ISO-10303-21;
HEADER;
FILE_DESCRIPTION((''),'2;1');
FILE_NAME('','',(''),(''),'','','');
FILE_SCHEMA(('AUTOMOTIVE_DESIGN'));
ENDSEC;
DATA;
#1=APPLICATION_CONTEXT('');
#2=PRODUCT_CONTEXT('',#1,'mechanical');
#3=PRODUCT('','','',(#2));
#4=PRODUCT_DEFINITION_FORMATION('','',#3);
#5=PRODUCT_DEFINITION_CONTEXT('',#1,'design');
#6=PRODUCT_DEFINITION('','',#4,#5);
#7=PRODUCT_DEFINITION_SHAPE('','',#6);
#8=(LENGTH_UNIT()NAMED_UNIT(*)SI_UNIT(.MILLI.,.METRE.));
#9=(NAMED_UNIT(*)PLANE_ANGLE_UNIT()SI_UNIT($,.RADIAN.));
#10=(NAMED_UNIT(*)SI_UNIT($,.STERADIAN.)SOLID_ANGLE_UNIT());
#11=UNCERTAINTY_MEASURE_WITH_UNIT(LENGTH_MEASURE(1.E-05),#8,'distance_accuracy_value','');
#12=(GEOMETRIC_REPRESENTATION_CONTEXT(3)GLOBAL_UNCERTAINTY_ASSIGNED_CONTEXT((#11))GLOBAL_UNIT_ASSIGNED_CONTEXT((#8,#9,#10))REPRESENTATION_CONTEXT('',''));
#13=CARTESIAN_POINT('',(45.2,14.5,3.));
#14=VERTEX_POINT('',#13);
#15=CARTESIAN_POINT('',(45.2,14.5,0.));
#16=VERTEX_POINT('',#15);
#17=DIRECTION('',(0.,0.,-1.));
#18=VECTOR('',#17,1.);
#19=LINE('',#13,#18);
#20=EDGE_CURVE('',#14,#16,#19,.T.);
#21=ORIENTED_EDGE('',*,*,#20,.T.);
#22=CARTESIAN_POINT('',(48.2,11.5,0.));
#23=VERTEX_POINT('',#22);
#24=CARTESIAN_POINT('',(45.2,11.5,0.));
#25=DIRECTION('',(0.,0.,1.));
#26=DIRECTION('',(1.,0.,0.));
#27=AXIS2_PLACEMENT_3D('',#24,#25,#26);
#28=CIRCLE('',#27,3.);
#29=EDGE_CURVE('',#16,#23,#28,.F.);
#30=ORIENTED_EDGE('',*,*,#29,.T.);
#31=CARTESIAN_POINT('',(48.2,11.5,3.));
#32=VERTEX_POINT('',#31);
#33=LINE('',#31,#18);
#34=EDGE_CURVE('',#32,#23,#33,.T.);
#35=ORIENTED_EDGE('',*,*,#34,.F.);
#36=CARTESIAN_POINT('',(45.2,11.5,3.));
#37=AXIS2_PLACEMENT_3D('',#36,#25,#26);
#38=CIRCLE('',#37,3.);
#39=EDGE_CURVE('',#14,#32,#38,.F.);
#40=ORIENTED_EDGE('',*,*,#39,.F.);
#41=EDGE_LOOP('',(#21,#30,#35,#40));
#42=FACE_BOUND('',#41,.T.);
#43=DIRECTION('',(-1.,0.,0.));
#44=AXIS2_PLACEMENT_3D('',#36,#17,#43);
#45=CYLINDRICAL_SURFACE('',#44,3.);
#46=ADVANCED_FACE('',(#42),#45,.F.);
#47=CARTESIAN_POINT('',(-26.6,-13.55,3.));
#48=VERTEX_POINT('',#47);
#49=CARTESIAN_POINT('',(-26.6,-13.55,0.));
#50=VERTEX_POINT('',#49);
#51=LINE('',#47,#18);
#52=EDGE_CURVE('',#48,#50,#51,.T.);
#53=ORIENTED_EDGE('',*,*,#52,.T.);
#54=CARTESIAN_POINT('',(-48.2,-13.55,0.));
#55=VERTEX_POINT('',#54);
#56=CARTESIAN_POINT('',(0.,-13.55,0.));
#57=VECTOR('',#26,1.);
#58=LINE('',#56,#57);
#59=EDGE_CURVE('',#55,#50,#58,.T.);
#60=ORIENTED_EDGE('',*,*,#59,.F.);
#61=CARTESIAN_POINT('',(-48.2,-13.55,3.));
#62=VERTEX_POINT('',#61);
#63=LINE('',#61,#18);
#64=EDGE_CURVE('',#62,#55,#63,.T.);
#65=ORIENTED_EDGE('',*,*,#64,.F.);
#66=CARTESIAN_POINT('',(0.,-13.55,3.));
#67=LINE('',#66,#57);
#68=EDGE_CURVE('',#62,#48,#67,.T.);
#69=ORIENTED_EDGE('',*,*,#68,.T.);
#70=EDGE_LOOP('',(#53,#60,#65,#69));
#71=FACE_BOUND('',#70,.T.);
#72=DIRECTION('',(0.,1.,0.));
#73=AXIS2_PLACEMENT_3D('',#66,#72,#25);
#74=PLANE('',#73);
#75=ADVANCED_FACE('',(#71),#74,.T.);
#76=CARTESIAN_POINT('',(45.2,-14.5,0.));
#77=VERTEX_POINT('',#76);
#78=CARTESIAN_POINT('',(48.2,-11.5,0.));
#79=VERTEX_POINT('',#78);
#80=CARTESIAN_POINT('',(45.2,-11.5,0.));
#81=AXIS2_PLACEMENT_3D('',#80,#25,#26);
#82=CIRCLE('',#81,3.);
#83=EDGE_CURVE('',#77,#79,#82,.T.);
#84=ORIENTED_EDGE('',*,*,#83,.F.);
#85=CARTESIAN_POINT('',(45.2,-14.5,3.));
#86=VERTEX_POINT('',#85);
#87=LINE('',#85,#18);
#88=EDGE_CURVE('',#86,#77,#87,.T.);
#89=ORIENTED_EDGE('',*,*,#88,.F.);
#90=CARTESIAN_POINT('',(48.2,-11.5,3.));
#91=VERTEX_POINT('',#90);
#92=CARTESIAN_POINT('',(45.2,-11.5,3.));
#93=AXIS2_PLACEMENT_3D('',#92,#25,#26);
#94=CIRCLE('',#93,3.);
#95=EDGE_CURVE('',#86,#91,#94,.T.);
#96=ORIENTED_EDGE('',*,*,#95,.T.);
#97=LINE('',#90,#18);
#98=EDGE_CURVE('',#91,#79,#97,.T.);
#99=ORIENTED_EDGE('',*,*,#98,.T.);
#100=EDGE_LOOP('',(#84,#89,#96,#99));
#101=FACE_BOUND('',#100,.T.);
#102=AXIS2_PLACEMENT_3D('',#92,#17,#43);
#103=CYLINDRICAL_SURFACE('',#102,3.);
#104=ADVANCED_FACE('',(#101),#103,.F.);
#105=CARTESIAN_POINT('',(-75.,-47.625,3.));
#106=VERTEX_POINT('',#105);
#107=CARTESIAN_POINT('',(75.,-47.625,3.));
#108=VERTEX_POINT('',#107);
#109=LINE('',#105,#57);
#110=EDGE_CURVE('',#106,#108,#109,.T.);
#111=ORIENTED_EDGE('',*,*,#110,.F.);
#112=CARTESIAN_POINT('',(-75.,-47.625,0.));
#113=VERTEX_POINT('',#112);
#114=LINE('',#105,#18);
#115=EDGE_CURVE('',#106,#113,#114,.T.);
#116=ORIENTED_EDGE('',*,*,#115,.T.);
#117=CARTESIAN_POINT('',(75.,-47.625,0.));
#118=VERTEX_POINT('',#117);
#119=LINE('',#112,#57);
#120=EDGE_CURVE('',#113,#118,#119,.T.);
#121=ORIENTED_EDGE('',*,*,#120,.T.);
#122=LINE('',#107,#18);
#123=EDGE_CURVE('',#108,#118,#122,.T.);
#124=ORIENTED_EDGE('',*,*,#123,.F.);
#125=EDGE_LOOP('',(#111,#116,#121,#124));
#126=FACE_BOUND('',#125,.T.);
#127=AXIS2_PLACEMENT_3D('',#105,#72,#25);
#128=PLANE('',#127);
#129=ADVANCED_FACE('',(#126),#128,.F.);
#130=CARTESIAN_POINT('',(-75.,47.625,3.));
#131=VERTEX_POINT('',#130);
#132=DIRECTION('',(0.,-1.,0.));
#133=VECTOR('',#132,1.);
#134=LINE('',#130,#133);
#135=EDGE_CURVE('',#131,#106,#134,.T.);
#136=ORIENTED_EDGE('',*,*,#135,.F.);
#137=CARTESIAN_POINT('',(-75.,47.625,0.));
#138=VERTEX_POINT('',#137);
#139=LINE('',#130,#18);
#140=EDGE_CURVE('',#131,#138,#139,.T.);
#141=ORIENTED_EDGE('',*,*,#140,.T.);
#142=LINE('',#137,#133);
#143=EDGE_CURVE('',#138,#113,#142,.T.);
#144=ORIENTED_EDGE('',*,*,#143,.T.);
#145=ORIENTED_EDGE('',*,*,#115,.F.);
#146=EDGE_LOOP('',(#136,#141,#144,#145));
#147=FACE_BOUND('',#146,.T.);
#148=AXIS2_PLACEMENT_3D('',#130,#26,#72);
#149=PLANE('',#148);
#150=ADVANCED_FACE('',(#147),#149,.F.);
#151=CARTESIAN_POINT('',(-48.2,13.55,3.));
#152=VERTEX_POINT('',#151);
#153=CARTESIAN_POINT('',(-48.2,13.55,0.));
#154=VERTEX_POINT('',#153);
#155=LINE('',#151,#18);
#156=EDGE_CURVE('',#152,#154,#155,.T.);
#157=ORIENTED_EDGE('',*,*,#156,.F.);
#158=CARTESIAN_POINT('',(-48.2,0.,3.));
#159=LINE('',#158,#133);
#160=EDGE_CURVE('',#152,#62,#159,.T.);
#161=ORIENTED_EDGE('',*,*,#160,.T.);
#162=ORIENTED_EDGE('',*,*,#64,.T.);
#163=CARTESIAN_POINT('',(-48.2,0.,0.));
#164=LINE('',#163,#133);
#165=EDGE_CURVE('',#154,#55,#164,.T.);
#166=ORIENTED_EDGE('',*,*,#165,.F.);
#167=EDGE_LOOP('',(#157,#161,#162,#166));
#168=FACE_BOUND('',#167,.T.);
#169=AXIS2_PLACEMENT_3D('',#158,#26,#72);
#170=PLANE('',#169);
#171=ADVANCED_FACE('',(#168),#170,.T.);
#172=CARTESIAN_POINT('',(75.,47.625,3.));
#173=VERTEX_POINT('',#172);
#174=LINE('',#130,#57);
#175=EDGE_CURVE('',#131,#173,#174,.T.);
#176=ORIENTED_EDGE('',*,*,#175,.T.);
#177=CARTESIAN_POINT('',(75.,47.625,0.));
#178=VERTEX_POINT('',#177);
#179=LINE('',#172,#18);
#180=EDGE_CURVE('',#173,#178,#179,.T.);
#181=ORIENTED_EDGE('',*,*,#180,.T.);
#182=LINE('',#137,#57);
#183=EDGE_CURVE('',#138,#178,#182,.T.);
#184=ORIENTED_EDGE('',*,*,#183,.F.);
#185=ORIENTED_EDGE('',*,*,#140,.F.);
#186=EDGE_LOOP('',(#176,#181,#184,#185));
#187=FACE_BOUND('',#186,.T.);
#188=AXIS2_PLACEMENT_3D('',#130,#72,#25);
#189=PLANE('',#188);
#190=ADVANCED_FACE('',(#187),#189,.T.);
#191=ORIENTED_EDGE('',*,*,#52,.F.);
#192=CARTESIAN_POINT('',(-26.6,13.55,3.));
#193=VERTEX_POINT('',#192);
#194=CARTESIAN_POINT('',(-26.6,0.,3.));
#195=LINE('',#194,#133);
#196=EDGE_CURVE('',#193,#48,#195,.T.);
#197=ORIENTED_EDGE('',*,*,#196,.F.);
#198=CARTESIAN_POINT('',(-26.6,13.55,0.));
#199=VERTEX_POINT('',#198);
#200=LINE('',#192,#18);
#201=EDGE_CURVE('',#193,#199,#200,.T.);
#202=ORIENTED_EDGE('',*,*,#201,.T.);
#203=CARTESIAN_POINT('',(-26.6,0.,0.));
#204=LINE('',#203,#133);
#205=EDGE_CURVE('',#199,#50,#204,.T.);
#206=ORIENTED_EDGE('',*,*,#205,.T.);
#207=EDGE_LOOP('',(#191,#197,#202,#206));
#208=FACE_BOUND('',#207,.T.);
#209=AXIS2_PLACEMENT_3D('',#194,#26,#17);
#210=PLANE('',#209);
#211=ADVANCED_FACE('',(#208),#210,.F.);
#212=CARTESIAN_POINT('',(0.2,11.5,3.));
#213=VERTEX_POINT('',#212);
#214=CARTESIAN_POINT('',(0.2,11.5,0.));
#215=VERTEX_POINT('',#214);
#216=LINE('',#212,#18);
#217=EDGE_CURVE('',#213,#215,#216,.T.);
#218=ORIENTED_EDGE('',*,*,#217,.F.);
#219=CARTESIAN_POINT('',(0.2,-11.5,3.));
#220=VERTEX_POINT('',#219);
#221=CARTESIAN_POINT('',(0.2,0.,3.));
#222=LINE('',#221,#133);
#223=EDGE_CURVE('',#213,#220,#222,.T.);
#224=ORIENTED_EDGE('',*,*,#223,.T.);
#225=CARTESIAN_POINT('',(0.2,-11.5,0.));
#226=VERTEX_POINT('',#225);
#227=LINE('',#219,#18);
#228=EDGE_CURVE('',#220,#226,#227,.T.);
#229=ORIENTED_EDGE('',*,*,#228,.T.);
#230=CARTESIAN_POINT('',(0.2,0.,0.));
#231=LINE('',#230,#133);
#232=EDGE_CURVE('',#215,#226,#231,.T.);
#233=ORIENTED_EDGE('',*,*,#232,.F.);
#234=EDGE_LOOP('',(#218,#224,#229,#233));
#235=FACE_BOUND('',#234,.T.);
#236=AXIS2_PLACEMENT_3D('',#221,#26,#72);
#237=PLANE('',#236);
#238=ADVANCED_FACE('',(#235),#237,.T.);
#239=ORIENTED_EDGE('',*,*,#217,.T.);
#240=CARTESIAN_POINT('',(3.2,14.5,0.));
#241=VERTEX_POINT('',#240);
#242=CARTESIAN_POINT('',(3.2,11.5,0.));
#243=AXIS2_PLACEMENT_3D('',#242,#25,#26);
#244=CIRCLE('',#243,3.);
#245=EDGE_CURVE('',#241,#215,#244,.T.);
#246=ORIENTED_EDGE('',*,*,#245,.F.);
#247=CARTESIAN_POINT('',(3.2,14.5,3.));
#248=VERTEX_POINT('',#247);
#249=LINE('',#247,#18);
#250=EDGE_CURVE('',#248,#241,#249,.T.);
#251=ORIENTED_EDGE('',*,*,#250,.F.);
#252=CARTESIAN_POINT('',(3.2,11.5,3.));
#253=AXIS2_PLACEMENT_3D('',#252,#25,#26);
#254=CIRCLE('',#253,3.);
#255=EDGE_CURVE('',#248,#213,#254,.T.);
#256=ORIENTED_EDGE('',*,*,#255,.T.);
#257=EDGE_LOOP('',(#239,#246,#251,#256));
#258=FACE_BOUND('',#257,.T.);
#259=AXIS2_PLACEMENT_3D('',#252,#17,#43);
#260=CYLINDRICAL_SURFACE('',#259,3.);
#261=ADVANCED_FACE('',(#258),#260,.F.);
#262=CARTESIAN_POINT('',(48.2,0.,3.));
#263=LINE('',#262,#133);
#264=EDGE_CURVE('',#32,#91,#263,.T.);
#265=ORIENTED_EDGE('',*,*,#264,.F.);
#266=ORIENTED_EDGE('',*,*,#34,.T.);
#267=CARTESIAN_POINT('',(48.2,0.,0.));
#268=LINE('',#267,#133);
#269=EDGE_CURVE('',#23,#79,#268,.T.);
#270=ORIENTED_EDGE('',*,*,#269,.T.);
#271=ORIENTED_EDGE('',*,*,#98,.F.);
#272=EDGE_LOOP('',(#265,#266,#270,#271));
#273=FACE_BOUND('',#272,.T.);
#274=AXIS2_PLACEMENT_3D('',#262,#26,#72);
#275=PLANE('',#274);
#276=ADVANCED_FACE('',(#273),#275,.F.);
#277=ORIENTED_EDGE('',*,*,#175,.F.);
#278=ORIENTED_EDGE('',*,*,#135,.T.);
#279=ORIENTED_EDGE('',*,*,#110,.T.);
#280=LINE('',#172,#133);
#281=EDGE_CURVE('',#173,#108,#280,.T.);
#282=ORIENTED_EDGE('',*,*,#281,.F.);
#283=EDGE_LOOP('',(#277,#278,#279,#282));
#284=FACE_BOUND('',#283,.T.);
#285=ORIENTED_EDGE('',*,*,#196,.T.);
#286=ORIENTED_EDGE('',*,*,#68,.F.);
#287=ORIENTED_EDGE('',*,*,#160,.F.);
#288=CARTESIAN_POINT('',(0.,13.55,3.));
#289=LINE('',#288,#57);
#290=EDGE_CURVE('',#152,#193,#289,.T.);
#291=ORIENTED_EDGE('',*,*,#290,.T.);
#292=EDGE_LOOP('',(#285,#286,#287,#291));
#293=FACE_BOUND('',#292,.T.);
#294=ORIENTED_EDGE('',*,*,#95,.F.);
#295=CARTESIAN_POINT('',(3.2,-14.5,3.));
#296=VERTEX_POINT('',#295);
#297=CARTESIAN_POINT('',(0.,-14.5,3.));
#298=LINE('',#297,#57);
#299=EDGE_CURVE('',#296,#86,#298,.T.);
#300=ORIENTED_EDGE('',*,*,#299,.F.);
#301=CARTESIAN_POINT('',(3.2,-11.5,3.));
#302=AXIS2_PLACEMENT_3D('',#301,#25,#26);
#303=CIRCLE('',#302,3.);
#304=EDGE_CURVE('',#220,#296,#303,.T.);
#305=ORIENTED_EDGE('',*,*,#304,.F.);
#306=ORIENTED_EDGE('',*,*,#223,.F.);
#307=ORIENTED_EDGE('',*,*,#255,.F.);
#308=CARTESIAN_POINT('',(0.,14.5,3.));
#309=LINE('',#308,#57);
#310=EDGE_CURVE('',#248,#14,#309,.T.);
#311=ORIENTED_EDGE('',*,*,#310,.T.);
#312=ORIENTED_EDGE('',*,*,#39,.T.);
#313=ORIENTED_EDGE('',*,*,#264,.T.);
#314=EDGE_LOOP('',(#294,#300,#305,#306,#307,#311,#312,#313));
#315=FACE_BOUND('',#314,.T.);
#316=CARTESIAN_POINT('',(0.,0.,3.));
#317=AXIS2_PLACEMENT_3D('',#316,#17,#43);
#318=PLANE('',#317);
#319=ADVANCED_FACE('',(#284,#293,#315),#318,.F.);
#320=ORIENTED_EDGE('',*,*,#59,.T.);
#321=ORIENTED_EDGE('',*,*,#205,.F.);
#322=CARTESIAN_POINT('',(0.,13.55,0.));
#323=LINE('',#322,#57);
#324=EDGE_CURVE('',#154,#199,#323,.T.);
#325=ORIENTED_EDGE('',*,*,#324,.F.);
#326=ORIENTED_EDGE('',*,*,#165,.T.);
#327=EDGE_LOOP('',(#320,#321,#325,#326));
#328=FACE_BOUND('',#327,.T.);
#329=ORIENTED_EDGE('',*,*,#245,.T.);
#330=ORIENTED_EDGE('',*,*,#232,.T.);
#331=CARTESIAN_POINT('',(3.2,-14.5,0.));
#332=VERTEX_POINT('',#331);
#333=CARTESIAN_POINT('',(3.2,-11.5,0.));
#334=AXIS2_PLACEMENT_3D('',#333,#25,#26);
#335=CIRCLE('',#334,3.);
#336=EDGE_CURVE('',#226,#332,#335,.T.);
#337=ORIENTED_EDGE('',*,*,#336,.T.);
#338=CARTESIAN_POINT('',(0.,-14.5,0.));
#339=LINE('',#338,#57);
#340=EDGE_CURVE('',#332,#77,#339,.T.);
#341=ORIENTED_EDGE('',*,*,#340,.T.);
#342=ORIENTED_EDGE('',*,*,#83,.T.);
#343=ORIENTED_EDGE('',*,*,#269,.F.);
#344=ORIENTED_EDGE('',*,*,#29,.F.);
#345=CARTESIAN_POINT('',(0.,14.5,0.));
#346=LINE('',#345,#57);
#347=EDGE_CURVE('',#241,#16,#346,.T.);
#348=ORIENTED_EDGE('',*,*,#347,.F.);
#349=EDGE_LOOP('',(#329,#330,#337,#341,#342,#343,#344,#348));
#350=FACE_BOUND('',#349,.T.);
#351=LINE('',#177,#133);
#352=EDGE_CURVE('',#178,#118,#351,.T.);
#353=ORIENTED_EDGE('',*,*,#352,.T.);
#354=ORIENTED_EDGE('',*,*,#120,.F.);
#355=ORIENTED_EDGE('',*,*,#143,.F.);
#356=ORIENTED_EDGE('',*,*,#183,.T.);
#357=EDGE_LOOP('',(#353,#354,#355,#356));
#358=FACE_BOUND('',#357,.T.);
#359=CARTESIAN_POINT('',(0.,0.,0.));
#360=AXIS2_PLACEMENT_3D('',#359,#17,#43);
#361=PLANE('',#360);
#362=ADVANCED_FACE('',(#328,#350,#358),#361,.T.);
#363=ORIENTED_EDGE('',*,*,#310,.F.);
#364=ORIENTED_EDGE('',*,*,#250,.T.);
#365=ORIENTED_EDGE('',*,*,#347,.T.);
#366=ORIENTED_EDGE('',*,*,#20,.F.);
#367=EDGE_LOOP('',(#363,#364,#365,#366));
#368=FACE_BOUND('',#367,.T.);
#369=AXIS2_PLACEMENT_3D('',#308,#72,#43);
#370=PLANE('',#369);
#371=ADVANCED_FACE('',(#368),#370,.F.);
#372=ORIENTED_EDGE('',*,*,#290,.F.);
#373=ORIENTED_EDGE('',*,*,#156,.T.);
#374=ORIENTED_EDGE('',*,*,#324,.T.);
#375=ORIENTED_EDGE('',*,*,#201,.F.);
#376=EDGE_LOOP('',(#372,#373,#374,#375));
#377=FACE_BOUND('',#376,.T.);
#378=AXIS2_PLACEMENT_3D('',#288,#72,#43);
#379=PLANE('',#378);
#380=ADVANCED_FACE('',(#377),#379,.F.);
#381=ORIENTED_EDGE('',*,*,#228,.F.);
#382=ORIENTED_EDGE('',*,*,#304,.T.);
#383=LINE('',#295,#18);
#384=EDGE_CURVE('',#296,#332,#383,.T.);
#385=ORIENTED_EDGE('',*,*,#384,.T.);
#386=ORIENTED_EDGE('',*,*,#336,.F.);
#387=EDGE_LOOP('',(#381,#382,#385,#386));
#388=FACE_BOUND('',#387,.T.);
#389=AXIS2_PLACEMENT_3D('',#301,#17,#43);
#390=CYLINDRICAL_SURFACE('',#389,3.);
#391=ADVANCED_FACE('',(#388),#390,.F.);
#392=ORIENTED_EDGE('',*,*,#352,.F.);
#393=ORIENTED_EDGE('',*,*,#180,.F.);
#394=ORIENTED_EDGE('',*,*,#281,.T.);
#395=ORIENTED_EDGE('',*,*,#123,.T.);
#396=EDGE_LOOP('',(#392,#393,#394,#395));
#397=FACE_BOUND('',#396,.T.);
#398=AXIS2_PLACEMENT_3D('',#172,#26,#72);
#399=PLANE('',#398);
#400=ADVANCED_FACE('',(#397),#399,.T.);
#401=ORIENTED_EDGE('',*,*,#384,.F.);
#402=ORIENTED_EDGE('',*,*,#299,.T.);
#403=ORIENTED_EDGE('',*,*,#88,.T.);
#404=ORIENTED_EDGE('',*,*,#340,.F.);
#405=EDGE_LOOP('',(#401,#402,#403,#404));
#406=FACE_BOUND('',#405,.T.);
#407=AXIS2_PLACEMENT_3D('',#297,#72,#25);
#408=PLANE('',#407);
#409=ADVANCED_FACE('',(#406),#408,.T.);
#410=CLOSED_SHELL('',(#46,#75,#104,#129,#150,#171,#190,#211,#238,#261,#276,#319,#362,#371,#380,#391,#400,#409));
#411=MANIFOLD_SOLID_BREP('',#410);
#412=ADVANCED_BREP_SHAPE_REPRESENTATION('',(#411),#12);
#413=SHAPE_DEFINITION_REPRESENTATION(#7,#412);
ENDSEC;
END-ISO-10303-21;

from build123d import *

# Parameters (mm, degrees)
SKETCH_1_W          = 150
SKETCH_1_H          = 95.25
EXTRUDE_1_DEPTH     = 3
SKETCH_1_3_W        = 21.6
SKETCH_1_3_H        = 27.1
CUT_EXTRUDE_2_DEPTH = 3


with BuildPart() as part:
    # 草圖1 → 填料-伸長1 (new body)
    with BuildSketch(Plane.XY):
        Rectangle(SKETCH_1_W, SKETCH_1_H)
    extrude(amount=EXTRUDE_1_DEPTH)

    # 草圖1<3> → 除料-伸長2 (cut)
    with BuildSketch(Plane.XY):
        with Locations((-37.4, 0)):
            Rectangle(SKETCH_1_3_W, SKETCH_1_3_H)
        with BuildLine():
            Line((45.2, 14.5), (3.2, 14.5))
            ThreePointArc((3.2, 14.5), (1.078679656, 13.621320344), (0.2, 11.5))
            Line((0.2, 11.5), (0.2, -11.5))
            ThreePointArc((0.2, -11.5), (1.078679656, -13.621320344), (3.2, -14.5))
            Line((3.2, -14.5), (45.2, -14.5))
            ThreePointArc((45.2, -14.5), (47.321320344, -13.621320344), (48.2, -11.5))
            Line((48.2, -11.5), (48.2, 11.5))
            ThreePointArc((48.2, 11.5), (47.321320344, 13.621320344), (45.2, 14.5))
        make_face()
    extrude(amount=CUT_EXTRUDE_2_DEPTH, mode=Mode.SUBTRACT)


solid = part.part
